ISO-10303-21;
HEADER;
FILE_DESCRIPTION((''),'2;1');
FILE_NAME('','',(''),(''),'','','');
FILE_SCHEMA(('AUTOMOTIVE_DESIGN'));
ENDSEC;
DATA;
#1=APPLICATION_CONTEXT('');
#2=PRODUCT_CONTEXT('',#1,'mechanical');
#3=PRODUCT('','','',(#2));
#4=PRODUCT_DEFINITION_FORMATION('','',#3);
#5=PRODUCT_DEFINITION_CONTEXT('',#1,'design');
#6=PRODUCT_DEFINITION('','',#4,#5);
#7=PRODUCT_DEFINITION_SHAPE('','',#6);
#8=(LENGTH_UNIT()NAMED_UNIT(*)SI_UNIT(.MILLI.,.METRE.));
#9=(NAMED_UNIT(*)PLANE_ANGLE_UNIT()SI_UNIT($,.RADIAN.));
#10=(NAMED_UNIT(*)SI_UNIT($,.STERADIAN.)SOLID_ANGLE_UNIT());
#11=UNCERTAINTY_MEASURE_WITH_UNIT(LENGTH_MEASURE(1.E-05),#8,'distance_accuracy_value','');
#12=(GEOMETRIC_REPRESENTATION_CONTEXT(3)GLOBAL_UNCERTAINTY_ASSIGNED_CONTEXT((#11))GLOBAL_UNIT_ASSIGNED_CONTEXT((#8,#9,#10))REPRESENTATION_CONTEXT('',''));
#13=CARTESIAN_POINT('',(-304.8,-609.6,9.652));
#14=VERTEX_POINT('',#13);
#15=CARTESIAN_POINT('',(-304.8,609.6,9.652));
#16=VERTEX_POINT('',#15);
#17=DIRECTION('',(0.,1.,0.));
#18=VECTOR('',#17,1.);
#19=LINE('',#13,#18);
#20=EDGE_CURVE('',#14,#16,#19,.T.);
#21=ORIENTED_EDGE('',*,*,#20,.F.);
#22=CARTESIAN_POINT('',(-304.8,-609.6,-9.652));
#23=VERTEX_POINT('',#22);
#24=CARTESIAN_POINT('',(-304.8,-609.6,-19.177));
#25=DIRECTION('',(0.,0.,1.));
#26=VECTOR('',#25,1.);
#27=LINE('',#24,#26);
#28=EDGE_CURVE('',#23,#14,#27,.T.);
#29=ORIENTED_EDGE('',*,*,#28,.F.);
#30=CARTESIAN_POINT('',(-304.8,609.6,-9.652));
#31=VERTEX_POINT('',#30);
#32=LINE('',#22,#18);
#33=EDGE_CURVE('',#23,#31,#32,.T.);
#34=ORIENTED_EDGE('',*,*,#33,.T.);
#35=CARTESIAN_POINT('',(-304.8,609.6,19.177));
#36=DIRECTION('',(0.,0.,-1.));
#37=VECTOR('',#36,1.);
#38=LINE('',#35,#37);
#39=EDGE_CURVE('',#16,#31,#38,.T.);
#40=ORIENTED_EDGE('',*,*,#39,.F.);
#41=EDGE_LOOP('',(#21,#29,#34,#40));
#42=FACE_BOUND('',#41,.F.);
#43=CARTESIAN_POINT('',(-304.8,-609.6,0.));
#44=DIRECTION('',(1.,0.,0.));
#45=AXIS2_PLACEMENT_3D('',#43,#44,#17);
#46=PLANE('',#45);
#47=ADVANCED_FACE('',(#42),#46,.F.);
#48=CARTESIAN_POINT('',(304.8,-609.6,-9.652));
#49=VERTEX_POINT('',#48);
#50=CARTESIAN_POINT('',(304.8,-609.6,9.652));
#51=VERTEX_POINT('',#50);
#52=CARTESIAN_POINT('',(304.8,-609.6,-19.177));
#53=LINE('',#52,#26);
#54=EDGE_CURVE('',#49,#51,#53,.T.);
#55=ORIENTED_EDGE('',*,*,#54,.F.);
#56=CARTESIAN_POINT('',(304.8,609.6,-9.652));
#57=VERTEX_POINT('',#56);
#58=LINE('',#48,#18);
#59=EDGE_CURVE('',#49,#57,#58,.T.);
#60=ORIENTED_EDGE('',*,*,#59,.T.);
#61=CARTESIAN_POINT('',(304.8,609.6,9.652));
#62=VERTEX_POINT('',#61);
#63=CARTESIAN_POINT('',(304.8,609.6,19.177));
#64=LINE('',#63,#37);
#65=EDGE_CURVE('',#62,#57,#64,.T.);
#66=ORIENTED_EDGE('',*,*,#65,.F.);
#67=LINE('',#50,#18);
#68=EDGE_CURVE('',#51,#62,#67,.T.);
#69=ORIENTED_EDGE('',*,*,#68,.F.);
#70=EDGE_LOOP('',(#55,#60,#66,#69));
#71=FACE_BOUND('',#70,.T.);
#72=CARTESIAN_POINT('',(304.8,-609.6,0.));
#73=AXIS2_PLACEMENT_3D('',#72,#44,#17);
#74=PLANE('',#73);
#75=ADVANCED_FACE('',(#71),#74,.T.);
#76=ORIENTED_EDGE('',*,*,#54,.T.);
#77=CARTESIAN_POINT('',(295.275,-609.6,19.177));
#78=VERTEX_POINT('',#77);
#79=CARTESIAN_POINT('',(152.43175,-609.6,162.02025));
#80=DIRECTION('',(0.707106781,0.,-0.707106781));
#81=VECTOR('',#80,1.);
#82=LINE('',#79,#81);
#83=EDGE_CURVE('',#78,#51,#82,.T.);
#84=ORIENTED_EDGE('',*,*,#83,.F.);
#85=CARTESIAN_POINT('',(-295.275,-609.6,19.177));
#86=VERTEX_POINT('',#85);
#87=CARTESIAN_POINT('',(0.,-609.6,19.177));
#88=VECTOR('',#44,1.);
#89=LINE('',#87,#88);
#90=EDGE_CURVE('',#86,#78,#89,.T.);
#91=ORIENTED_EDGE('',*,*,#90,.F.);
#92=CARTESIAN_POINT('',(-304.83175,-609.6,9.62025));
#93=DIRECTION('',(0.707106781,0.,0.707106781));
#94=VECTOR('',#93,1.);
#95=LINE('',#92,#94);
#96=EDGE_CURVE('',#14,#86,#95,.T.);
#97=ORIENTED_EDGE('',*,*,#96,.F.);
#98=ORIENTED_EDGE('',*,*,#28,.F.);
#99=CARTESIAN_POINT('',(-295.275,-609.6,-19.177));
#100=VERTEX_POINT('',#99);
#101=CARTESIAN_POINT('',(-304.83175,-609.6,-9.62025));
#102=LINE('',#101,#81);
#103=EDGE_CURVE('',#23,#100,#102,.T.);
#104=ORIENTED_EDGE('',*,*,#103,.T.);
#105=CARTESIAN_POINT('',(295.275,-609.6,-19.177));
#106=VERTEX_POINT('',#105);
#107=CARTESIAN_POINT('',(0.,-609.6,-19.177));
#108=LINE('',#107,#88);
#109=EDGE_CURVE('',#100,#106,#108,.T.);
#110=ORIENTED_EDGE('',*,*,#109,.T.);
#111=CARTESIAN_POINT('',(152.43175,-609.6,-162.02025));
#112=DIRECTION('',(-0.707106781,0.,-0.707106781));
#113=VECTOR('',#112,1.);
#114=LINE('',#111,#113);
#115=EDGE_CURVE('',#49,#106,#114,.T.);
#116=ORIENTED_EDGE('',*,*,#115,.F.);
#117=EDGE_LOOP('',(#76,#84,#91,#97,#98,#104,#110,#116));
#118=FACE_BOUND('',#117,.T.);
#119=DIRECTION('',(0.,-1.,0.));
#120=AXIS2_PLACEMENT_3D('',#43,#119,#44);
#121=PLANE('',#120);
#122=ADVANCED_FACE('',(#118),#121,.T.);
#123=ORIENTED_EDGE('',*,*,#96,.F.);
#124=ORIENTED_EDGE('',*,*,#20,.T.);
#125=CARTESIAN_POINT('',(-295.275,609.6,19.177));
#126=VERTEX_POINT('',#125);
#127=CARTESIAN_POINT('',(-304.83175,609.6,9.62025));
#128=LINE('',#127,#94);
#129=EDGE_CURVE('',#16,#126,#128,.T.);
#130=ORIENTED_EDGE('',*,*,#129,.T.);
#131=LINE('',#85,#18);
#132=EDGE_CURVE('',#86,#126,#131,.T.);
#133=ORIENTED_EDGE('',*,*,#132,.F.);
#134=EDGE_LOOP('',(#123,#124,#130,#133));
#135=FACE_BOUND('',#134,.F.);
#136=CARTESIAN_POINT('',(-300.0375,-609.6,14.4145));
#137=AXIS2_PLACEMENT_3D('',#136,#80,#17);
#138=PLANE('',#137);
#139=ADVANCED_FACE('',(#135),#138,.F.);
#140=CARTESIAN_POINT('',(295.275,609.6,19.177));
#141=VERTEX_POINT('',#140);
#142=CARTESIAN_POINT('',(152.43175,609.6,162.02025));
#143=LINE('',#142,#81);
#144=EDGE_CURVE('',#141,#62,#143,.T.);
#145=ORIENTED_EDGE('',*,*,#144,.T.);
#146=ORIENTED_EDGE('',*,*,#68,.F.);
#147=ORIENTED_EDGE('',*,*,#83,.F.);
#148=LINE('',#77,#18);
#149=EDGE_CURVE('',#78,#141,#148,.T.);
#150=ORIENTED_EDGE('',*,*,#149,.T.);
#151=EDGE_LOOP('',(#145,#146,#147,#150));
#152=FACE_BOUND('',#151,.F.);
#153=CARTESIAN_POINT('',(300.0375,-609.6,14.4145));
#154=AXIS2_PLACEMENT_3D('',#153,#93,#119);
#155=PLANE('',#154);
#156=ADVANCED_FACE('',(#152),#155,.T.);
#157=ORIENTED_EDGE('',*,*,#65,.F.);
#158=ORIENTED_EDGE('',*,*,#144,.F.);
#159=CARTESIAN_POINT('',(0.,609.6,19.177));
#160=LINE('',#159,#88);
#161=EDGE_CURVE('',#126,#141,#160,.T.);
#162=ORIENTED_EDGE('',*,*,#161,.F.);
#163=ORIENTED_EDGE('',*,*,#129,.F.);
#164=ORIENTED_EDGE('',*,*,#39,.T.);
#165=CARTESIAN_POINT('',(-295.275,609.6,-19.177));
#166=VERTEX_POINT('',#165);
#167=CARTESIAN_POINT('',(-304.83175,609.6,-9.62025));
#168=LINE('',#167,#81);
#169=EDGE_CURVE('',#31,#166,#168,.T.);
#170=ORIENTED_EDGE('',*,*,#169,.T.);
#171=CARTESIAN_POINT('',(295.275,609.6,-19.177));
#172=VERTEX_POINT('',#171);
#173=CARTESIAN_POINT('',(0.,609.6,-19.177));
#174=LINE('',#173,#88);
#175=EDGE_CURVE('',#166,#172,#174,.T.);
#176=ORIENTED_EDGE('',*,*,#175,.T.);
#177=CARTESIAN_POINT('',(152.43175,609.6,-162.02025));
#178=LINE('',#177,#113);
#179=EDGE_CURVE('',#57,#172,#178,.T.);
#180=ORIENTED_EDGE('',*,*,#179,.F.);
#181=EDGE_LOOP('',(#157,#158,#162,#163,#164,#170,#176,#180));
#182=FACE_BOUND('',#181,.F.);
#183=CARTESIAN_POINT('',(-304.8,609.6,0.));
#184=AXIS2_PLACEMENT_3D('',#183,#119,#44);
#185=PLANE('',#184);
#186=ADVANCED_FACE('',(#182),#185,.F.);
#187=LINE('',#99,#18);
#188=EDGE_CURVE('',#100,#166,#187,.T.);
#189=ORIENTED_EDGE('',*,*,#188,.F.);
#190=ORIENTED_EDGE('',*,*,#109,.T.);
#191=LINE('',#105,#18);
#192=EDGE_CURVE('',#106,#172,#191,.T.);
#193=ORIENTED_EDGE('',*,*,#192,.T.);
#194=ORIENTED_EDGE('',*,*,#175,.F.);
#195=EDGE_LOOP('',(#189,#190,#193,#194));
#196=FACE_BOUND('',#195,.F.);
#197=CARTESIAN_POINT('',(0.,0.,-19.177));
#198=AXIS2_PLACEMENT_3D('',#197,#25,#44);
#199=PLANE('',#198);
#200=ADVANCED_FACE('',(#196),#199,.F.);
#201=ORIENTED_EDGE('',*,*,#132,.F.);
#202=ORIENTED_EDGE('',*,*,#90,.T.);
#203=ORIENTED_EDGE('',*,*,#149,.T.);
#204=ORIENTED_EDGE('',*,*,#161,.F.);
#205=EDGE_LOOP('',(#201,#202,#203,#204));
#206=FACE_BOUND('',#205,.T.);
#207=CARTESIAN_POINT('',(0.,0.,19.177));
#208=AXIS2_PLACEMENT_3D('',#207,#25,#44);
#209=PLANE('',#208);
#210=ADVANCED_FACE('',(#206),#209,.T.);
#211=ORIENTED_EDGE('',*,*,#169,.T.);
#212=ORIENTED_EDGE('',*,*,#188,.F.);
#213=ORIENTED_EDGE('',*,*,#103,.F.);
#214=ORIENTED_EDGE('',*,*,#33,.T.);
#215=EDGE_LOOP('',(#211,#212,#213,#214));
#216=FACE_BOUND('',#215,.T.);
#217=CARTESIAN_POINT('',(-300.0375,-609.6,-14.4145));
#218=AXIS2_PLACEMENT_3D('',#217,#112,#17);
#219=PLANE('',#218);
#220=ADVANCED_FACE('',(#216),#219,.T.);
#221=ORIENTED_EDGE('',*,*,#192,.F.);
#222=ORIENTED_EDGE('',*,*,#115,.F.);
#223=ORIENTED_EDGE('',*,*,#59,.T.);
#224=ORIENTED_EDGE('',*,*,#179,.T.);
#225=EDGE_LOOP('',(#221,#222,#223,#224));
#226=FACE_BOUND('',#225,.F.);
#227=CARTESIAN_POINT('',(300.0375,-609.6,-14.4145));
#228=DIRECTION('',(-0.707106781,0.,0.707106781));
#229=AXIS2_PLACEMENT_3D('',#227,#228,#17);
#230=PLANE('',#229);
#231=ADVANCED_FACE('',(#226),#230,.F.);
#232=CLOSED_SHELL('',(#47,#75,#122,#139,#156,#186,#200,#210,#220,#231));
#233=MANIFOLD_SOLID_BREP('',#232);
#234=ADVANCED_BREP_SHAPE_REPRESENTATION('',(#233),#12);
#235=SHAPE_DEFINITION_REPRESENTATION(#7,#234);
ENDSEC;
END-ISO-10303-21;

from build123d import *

# Parameters (mm, degrees)
F0_W     = 609.6
F0_H     = 1219.2
F1_DEPTH = 19.177
F2_SIZE  = 9.525


with BuildPart() as f1:
    # F0 (on Top) → F1 (new body, symmetric)
    with BuildSketch(Plane.XY):
        Rectangle(F0_W, F0_H)
    extrude(amount=F1_DEPTH, both=True)

    # F2
    f2_edges = [f1.edges().sort_by_distance(p)[0] for p in [
        (-304.8, 0, 19.177),
        (-304.8, 0, -19.177),
        (304.8, 0, 19.177),
        (304.8, 0, -19.177),
    ]]
    chamfer(f2_edges, length=F2_SIZE)


solid = f1.part
